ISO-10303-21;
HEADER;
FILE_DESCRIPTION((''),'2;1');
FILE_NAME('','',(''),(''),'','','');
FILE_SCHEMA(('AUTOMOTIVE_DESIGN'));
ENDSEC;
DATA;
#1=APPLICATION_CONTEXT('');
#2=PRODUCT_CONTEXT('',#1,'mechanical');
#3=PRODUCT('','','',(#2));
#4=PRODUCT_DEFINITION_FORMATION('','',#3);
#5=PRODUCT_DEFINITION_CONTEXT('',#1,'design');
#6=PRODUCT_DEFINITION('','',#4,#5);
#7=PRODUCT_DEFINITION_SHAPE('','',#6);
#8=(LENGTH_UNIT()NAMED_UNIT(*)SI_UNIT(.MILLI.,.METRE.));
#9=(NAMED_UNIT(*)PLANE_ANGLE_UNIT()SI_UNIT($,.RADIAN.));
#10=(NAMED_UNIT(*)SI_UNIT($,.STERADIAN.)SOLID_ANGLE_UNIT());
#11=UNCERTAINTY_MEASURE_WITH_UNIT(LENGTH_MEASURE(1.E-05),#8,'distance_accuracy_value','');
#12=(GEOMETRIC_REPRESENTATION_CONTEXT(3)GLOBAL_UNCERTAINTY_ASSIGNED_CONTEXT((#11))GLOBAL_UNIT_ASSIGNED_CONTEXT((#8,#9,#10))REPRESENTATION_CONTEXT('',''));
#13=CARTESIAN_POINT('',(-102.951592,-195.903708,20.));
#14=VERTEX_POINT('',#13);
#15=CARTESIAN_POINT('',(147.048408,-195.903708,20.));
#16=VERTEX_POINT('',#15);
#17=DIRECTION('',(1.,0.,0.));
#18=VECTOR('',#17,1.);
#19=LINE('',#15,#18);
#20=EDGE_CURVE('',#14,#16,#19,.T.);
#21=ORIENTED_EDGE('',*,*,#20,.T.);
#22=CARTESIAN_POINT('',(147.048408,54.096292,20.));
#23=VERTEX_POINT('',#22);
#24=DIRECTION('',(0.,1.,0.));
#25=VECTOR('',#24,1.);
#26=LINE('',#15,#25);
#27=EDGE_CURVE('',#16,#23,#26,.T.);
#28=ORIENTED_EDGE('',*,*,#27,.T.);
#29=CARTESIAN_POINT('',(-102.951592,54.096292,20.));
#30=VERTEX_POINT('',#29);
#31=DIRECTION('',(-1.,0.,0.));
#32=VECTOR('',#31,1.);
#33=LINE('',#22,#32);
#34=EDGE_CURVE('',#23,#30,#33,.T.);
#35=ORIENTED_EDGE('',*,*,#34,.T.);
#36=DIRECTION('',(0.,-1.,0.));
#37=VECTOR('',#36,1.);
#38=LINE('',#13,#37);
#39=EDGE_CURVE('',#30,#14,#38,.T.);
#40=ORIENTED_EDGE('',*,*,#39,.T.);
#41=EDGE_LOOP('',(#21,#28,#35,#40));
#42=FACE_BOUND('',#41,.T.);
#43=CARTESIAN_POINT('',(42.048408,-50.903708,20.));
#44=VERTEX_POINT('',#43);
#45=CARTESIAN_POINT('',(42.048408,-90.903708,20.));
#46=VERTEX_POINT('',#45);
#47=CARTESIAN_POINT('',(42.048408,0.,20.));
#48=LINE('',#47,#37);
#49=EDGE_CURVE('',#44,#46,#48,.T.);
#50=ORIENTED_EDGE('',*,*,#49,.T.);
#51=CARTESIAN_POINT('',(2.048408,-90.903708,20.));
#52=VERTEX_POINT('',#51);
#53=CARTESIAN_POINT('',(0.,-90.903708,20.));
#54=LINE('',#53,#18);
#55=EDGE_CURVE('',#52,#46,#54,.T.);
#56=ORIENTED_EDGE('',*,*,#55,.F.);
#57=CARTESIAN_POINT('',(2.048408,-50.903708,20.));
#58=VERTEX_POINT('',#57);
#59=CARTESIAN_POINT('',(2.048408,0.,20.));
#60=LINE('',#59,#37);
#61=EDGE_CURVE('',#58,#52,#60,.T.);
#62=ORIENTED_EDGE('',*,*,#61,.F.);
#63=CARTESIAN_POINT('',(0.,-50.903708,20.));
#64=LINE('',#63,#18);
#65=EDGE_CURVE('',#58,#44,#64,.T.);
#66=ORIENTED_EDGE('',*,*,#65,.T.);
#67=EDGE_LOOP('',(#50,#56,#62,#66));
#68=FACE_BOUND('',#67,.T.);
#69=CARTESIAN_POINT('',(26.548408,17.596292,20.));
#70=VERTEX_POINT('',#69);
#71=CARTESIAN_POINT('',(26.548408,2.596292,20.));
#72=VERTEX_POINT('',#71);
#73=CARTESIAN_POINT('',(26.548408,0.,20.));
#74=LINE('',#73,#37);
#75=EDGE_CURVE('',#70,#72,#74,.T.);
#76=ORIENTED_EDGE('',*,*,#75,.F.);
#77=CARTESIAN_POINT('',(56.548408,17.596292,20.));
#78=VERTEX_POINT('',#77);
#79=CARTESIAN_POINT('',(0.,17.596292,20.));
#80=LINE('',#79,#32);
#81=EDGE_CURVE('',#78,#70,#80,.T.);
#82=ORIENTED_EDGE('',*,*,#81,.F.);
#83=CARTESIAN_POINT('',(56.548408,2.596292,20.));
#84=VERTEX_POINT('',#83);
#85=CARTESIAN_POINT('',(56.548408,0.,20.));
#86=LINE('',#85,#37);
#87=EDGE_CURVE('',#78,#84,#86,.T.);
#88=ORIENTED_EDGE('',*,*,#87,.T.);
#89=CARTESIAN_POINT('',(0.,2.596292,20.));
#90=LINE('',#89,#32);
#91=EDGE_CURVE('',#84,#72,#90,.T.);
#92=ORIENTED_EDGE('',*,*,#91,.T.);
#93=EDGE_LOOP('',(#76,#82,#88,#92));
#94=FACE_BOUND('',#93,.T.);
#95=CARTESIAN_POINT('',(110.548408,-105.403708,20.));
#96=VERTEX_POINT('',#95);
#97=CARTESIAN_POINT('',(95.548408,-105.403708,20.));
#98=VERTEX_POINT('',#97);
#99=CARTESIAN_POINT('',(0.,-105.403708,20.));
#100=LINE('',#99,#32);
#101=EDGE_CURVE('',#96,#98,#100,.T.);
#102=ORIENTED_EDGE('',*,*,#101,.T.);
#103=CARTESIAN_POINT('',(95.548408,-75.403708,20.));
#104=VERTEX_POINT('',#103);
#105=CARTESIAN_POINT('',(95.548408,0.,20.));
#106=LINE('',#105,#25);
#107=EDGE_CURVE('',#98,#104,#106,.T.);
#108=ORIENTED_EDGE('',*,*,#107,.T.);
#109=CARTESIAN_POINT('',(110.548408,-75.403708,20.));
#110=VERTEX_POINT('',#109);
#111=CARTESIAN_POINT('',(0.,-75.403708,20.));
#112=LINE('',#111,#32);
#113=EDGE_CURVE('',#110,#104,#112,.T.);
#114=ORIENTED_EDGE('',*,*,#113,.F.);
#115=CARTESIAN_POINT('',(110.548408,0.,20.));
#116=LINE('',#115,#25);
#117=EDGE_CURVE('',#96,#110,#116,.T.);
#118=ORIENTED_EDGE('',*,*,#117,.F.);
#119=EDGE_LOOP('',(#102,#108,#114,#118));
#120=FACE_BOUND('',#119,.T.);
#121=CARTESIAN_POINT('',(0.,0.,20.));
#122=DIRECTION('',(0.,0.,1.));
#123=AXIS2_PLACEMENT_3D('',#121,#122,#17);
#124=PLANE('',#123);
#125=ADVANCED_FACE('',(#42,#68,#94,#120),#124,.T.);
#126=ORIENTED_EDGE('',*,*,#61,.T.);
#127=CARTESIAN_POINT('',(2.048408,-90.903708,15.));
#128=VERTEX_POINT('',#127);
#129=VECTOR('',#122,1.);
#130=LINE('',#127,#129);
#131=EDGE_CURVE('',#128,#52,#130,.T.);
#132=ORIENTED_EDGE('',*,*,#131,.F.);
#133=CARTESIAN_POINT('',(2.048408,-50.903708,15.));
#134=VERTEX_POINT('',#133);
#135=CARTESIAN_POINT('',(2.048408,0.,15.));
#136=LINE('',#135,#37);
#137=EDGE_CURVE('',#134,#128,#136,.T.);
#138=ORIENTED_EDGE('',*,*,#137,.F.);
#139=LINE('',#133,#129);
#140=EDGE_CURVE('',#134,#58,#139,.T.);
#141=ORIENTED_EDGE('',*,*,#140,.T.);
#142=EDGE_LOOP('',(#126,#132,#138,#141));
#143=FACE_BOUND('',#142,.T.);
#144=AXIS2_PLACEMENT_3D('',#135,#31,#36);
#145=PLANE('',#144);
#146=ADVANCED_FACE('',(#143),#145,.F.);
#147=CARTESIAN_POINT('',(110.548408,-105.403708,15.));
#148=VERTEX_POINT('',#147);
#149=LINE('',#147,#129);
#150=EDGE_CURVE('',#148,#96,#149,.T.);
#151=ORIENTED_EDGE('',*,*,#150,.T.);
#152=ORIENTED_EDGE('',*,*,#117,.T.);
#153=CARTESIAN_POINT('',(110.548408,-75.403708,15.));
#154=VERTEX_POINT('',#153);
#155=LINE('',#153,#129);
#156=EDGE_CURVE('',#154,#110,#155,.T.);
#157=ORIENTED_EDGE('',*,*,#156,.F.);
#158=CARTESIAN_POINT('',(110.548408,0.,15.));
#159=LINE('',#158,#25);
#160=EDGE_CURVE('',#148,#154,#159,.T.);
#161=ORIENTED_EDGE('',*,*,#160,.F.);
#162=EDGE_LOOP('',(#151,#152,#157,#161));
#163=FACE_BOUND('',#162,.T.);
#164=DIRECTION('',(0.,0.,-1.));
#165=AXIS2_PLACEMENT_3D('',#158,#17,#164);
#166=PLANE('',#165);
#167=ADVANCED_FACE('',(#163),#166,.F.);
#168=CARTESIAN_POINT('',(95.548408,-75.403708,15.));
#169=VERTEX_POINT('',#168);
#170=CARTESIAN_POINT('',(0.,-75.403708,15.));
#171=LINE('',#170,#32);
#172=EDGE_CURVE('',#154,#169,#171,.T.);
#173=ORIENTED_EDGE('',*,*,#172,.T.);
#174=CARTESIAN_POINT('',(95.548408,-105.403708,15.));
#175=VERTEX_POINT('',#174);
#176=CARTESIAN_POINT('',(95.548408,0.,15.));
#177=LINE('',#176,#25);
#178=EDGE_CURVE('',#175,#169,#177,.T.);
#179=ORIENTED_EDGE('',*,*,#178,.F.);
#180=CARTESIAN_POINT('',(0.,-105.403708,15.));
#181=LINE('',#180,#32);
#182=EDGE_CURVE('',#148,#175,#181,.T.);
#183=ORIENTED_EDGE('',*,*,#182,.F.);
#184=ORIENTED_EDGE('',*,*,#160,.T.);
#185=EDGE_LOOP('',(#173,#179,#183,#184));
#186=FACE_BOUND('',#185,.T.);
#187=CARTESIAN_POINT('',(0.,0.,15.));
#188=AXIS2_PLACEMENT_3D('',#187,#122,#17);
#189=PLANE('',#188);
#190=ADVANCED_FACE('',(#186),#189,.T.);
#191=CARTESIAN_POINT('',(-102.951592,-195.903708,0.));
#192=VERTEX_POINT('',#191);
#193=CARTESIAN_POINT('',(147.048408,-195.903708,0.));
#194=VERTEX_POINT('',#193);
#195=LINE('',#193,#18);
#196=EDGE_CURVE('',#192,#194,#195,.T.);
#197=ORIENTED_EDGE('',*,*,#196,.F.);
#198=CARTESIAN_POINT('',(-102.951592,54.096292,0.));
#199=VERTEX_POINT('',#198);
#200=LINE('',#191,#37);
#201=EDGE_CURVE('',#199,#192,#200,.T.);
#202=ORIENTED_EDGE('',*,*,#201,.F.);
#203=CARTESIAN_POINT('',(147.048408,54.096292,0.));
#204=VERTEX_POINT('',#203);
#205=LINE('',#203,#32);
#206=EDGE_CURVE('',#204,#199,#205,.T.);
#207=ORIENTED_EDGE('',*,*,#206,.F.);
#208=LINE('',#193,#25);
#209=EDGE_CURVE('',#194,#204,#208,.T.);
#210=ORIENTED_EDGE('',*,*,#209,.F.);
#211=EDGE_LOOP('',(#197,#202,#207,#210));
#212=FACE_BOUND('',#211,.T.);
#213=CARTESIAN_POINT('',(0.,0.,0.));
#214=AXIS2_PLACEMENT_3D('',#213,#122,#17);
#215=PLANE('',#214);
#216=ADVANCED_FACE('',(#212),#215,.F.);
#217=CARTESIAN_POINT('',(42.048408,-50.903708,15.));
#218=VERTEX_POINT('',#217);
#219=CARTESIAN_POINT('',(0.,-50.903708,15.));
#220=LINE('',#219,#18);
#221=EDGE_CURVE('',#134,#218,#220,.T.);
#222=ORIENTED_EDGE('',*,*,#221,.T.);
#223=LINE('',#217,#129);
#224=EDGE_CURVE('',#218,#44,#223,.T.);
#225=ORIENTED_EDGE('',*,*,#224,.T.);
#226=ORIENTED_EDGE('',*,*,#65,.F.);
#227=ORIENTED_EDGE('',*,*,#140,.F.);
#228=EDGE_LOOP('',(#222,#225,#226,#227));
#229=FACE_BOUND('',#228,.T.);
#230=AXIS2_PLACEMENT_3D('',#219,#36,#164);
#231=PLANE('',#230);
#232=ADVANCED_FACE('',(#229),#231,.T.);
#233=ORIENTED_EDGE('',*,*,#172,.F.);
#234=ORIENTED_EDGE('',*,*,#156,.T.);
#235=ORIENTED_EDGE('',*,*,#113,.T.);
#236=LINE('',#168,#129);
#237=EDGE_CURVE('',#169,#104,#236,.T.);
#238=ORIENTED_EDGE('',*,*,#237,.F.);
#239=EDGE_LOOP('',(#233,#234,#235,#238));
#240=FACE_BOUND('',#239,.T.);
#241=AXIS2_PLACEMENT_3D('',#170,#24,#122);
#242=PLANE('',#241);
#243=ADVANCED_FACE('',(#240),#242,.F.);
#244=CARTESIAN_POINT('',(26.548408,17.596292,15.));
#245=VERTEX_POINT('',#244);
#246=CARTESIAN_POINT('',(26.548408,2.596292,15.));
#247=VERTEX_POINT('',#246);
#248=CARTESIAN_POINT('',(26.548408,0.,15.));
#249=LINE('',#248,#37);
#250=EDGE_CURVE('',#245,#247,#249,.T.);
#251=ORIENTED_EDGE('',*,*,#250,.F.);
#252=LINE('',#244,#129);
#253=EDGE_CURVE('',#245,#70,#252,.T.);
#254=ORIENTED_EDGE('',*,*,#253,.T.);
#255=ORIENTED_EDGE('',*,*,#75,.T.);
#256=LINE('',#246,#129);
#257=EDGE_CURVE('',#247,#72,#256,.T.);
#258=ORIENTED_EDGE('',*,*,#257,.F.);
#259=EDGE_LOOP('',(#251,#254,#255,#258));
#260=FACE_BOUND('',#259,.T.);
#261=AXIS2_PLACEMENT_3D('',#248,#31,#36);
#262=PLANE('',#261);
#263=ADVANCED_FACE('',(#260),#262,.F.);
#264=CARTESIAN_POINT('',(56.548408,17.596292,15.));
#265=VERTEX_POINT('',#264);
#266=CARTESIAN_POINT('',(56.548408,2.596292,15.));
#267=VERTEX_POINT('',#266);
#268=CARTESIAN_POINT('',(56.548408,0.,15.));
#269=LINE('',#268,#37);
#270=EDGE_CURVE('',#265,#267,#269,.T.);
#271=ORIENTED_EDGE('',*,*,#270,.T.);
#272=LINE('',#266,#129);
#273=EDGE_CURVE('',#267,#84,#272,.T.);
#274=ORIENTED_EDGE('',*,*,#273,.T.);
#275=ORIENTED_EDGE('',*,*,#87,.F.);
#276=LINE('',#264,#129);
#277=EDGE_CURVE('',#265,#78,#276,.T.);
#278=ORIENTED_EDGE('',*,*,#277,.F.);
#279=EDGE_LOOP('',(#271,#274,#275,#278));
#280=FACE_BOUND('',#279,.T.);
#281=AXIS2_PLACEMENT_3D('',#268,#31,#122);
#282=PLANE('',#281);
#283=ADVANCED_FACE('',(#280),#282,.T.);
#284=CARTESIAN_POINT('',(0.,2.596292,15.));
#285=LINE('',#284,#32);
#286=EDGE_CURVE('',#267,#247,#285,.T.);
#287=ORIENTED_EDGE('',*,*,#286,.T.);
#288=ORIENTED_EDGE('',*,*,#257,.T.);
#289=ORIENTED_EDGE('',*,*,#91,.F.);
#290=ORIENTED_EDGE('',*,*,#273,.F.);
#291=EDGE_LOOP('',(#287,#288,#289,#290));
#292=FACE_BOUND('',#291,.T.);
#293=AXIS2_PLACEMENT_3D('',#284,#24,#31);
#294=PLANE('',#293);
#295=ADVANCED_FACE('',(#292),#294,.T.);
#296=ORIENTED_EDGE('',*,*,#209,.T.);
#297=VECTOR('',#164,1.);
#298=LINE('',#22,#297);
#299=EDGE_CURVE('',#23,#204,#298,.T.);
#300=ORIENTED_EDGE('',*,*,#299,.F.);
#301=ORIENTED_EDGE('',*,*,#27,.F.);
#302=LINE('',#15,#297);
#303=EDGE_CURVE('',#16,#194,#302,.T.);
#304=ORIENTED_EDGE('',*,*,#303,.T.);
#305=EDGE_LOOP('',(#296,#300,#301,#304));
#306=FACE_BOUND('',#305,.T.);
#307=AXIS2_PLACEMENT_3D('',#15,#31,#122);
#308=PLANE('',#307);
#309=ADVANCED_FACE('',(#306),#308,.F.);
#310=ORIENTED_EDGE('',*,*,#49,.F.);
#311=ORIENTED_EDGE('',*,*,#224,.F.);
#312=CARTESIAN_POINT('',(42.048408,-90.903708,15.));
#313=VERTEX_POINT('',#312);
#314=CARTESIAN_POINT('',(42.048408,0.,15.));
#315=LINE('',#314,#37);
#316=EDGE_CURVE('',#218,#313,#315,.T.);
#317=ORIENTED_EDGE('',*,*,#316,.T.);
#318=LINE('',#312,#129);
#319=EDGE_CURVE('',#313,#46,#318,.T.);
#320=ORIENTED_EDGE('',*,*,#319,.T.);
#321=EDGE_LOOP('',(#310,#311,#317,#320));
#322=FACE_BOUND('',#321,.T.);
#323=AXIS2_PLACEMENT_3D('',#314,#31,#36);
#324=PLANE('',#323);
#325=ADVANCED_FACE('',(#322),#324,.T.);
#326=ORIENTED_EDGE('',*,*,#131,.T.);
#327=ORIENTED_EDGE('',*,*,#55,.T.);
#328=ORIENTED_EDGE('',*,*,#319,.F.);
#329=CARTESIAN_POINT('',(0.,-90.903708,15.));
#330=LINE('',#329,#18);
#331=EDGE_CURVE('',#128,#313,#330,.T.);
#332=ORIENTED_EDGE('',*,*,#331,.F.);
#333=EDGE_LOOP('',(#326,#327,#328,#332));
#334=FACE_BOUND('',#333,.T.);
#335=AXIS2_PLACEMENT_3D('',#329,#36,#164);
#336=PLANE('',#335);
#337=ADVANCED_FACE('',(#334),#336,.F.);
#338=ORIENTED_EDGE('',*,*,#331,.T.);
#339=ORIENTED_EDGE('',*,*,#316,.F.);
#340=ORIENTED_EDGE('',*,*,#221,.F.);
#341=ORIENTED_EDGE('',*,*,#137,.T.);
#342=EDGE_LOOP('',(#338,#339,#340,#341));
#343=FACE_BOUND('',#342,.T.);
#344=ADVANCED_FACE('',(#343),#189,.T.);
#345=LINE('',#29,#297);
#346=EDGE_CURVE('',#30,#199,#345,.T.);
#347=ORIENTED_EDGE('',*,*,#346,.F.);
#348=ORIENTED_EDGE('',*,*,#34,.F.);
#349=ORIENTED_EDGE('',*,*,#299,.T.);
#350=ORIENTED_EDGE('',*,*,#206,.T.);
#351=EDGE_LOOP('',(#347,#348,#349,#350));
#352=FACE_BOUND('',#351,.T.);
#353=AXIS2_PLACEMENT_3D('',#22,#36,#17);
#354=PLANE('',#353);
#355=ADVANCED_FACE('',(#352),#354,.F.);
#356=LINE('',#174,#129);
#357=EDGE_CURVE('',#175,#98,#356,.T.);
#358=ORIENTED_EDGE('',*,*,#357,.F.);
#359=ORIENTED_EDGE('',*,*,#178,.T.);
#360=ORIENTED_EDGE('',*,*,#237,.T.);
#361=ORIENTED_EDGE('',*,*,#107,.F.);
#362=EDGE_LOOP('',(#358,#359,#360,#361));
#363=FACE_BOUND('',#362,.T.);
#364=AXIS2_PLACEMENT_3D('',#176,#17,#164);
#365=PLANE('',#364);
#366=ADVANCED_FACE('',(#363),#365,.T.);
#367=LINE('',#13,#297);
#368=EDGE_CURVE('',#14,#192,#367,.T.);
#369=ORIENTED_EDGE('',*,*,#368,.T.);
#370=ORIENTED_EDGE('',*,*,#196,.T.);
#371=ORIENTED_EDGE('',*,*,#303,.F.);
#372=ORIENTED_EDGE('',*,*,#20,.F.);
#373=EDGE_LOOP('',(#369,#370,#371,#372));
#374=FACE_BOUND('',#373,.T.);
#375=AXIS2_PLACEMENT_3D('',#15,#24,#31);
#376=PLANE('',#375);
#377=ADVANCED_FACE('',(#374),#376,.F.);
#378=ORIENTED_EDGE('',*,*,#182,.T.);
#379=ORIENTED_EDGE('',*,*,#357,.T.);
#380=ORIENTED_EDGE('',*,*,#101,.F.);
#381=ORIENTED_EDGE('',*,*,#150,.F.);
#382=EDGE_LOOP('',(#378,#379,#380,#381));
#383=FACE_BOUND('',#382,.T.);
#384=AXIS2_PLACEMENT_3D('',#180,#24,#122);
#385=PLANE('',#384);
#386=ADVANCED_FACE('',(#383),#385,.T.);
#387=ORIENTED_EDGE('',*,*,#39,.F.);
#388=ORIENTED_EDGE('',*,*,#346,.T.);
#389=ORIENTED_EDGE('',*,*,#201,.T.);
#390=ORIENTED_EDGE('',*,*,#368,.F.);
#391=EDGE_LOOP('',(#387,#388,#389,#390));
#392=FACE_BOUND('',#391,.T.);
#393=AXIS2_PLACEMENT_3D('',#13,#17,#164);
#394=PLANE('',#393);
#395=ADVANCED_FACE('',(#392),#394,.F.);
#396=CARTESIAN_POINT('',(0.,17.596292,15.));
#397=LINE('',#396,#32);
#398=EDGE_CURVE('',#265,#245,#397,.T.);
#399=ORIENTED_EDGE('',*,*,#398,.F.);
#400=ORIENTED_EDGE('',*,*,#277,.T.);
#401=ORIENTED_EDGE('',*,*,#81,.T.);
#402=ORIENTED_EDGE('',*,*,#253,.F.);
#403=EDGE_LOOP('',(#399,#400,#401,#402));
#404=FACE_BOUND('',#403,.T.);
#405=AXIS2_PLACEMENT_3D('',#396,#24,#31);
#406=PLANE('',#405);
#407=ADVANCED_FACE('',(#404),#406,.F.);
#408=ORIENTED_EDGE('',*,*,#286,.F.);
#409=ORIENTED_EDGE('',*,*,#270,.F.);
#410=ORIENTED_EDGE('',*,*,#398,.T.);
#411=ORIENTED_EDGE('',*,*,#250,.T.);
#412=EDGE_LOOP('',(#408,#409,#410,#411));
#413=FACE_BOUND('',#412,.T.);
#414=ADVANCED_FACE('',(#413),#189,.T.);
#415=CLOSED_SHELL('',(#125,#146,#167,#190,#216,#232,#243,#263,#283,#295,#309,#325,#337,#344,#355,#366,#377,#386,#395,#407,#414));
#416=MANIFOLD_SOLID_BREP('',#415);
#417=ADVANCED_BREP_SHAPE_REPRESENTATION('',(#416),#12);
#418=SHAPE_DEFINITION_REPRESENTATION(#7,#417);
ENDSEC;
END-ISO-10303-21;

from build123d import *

# Parameters (mm, degrees)
SKETCH1_W           = 250
SKETCH1_H           = 250
BOSS_EXTRUDE1_DEPTH = 20
SKETCH2_W           = 40
SKETCH2_H           = 40
SKETCH2_W_2         = 30
SKETCH2_H_2         = 15
CUT_EXTRUDE2_DEPTH  = 5


with BuildPart() as part:
    # Sketch1 → Boss-Extrude1 (new body)
    with BuildSketch(Plane.XY):
        with Locations((22.048407602, -70.903707865)):
            Rectangle(SKETCH1_W, SKETCH1_H)
    extrude(amount=BOSS_EXTRUDE1_DEPTH)

    # Sketch2 → Cut-Extrude2 (cut)
    with BuildSketch(Plane.XY.offset(20)):
        Polygon((95.548407602, -105.403707865), (110.548407602, -105.403707865), (110.548407602, -90.403707865), (110.548407602, -75.403707865), (95.548407602, -75.403707865), align=None)
        with Locations((22.048407602, -70.903707865)):
            Rectangle(SKETCH2_W, SKETCH2_H)
        with Locations((41.548407602, 10.096292135)):
            Rectangle(SKETCH2_W_2, SKETCH2_H_2)
    extrude(amount=-CUT_EXTRUDE2_DEPTH, mode=Mode.SUBTRACT)


solid = part.part
